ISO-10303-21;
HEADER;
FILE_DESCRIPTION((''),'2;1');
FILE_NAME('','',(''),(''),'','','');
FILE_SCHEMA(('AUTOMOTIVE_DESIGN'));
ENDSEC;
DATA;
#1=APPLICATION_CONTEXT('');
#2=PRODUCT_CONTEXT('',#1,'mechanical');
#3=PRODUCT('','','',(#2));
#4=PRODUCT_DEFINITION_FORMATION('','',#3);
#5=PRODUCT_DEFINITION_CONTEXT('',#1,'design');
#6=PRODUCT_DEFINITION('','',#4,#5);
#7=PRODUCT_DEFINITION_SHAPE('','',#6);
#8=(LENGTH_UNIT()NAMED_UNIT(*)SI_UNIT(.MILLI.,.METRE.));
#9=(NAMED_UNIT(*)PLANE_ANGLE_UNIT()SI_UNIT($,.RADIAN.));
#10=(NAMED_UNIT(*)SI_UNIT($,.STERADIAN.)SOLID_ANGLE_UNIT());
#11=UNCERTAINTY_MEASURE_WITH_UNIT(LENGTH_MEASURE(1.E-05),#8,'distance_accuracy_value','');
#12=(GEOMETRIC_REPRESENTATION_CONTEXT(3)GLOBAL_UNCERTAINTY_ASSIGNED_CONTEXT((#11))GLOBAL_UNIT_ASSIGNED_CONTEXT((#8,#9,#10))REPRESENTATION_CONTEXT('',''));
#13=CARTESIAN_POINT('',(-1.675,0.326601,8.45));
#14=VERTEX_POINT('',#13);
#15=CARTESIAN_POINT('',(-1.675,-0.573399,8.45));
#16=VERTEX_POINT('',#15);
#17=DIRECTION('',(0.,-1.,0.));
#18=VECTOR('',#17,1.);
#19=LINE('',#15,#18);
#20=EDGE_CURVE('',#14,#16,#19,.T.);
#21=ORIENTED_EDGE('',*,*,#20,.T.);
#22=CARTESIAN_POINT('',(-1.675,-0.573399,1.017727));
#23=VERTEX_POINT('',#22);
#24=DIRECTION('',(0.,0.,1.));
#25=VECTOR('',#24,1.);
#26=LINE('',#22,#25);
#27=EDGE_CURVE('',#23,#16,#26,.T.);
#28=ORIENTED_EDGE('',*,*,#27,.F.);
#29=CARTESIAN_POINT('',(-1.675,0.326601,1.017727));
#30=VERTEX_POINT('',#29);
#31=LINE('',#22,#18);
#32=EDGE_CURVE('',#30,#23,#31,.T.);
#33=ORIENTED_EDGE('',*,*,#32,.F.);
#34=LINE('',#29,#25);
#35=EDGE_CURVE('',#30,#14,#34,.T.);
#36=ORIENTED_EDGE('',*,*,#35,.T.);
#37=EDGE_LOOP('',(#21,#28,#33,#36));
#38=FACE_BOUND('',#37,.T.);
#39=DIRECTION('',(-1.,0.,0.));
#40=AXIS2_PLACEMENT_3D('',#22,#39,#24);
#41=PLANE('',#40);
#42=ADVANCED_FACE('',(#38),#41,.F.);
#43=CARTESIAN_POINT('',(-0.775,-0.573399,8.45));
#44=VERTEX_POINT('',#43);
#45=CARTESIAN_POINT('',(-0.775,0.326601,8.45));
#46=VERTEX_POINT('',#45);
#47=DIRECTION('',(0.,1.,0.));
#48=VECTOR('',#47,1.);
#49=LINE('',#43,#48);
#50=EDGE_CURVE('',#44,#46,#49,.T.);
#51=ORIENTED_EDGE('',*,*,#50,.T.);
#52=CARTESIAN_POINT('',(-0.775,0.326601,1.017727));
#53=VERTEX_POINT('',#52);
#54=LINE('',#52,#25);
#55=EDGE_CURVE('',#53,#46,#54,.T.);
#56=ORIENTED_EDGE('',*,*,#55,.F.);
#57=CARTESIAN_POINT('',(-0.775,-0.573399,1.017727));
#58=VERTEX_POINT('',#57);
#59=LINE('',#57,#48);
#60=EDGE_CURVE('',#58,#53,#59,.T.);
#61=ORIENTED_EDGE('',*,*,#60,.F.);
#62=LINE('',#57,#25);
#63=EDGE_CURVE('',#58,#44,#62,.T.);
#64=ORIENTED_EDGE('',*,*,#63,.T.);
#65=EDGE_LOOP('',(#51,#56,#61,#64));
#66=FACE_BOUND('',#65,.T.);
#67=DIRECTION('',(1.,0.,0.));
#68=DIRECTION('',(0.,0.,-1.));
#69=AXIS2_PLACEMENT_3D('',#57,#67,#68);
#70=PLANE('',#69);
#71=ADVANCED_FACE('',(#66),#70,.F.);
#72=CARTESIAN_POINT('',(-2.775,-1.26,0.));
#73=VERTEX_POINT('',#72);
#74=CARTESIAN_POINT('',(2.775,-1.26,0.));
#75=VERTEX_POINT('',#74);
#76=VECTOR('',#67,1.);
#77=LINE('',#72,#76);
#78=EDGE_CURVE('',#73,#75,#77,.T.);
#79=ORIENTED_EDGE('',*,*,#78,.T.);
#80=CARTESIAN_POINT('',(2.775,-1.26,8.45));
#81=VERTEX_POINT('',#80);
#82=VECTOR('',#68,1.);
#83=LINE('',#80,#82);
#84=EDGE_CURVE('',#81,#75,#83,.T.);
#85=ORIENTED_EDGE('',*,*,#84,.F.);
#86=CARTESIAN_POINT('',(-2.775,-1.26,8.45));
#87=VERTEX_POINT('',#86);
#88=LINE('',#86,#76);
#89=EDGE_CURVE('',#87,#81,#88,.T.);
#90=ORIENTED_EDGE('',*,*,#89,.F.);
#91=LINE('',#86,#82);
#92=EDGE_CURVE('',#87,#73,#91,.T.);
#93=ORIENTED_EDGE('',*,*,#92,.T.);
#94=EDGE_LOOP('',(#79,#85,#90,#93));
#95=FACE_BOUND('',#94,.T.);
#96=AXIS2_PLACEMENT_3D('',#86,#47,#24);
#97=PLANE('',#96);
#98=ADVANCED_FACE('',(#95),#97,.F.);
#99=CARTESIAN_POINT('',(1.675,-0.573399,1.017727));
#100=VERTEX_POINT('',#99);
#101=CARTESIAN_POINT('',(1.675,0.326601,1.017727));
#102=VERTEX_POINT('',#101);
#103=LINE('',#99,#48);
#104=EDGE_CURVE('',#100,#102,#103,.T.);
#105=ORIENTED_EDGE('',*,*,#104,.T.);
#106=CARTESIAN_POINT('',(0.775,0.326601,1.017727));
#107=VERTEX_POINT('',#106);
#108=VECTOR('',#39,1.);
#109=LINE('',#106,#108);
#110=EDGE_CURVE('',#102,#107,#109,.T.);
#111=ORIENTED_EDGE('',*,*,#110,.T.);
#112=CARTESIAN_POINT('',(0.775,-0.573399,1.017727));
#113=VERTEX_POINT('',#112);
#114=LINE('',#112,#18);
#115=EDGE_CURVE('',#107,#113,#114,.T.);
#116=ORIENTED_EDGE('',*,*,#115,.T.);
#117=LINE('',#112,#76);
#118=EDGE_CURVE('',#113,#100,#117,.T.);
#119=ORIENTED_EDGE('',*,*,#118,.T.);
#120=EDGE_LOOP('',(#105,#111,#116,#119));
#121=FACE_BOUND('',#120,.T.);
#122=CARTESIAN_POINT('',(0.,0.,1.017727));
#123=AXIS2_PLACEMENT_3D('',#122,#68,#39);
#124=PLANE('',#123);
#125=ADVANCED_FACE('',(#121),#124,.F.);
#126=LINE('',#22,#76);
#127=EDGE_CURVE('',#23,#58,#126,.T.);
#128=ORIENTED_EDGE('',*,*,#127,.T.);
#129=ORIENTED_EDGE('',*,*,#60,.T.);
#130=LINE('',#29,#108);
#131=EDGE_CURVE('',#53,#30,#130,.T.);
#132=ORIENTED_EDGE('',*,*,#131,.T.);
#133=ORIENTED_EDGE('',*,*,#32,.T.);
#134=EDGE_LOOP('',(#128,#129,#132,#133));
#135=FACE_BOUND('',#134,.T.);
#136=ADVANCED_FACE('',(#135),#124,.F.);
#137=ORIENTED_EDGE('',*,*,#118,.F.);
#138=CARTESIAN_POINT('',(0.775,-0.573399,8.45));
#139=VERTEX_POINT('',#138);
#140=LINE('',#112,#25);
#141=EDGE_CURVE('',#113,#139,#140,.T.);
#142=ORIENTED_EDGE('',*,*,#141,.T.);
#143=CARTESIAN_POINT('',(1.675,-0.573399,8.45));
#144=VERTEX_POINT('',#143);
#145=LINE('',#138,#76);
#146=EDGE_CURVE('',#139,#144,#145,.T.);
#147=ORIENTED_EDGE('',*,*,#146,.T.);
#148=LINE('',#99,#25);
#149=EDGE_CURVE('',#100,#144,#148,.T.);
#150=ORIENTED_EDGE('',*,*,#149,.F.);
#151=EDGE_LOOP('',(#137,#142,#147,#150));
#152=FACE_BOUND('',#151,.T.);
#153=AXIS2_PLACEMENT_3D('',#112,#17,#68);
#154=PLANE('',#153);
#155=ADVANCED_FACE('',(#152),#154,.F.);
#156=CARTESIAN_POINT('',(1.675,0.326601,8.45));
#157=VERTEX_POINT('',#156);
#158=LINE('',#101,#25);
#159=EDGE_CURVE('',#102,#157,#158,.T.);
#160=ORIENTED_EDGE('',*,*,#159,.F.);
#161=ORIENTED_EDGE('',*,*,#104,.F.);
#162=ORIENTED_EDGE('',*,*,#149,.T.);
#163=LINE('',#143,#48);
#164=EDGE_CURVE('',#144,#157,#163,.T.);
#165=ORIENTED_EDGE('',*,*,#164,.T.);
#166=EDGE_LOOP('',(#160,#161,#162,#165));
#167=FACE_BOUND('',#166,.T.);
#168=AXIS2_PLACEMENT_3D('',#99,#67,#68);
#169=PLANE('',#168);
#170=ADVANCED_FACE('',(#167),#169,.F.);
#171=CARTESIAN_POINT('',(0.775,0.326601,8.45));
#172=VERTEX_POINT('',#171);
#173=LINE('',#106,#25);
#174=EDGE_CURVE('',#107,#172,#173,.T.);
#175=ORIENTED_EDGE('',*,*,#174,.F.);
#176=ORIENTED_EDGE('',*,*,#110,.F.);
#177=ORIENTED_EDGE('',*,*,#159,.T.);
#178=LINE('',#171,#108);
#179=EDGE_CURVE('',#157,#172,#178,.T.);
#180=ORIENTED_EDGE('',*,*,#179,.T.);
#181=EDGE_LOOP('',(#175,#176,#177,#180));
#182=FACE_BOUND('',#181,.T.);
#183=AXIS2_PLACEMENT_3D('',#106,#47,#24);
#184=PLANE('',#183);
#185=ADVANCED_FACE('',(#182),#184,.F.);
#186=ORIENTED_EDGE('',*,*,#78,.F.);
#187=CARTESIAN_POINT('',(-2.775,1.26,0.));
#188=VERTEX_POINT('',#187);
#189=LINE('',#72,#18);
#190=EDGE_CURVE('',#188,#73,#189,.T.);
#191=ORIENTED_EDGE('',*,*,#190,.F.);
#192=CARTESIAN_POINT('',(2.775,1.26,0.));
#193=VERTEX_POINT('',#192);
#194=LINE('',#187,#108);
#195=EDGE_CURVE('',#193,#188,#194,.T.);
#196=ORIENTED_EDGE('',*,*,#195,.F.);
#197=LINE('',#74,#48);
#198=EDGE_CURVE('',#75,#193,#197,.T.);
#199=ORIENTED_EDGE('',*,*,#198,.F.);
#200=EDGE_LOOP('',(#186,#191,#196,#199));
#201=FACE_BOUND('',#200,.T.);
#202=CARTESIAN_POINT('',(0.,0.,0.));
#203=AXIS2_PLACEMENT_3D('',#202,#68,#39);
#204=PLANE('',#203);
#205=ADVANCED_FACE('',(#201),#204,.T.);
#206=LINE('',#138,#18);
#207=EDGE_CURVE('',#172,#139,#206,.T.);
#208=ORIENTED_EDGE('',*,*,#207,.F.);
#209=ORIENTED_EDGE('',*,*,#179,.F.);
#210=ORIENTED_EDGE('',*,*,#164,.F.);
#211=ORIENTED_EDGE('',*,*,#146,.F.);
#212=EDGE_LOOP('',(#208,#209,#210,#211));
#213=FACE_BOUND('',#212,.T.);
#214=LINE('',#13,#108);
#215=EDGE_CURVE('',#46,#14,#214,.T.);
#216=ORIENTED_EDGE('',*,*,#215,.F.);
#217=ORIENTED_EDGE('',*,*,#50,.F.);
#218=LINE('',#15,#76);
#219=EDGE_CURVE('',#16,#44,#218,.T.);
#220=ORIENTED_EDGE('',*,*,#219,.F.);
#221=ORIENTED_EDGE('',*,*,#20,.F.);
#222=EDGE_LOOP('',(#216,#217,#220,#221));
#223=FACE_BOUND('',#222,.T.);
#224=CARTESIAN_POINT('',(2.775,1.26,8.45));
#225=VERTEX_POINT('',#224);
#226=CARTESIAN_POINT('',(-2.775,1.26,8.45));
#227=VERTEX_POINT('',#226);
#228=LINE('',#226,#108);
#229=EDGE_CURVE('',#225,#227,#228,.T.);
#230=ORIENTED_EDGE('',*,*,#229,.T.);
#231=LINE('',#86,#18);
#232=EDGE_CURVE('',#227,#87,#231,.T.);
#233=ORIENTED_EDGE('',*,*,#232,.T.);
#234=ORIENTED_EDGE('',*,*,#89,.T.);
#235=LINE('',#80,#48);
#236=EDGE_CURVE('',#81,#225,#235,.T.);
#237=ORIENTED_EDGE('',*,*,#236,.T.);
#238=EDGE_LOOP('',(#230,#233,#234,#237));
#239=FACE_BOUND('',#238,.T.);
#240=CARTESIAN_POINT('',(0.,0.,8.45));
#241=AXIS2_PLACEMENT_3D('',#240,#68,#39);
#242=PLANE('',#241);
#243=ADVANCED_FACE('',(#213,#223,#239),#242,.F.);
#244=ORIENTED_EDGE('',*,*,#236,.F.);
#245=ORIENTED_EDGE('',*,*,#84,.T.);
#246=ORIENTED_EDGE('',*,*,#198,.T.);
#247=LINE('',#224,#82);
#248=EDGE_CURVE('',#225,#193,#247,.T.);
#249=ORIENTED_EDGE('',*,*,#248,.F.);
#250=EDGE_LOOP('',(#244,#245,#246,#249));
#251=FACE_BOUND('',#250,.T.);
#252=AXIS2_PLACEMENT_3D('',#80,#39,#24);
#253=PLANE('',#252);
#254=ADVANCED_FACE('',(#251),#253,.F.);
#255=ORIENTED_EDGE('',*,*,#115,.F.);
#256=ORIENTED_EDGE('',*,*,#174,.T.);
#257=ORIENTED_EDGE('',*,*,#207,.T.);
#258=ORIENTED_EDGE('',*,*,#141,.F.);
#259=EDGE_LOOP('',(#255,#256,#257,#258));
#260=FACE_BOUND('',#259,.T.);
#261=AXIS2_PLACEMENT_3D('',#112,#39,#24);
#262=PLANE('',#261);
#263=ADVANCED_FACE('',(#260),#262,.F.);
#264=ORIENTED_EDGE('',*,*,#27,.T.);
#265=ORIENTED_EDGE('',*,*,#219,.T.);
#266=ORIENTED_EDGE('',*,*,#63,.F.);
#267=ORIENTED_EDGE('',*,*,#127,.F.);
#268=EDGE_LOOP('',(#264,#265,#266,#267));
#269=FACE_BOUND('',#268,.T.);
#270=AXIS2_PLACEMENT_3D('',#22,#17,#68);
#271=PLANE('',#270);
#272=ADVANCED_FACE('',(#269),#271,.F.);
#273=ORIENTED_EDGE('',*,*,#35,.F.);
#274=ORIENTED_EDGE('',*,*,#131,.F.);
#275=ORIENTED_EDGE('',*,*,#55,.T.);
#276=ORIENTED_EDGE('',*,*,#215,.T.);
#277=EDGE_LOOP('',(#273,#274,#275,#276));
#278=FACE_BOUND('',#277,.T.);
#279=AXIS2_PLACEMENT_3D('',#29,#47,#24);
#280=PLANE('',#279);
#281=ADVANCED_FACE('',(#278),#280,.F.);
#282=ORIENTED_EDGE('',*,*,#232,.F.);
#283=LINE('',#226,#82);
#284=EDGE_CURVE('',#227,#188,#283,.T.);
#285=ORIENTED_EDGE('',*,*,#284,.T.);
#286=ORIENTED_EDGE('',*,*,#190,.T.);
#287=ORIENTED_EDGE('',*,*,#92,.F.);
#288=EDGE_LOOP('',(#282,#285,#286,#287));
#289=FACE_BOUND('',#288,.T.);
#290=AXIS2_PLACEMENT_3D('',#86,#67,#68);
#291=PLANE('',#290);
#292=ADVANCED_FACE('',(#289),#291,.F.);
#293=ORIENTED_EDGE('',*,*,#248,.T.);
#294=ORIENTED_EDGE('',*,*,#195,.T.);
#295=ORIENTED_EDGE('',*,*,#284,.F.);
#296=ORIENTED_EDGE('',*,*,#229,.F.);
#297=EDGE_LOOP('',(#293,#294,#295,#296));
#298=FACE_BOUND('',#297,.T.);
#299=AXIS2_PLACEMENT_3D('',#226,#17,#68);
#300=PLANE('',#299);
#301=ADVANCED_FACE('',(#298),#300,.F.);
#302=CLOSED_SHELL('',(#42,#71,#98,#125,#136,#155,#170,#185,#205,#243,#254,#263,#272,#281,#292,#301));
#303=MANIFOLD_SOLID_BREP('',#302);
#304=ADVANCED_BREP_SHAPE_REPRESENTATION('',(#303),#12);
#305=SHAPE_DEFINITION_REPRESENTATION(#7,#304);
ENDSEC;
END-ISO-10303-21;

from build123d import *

# Parameters (mm, degrees)
SKICA1_W                 = 5.55
SKICA1_H                 = 2.52
P_IDAT_VYSUNUT_M1_DEPTH  = 8.45
SKICA2_W                 = 0.9
SKICA2_H                 = 0.9
ODEBRAT_VYSUNUT_M1_DEPTH = 7.43227342


with BuildPart() as part:
    # Skica1 → Přidat vysunutím1 (new body)
    with BuildSketch(Plane.XY):
        Rectangle(SKICA1_W, SKICA1_H)
    extrude(amount=P_IDAT_VYSUNUT_M1_DEPTH)

    # Skica2 → Odebrat vysunutím1 (cut)
    with BuildSketch(Plane.XY.offset(8.45)):
        with Locations((1.225, -0.123399364)):
            Rectangle(SKICA2_W, SKICA2_H)
        with Locations((-1.225, -0.123399364)):
            Rectangle(SKICA2_W, SKICA2_H)
    extrude(amount=-ODEBRAT_VYSUNUT_M1_DEPTH, mode=Mode.SUBTRACT)


solid = part.part
